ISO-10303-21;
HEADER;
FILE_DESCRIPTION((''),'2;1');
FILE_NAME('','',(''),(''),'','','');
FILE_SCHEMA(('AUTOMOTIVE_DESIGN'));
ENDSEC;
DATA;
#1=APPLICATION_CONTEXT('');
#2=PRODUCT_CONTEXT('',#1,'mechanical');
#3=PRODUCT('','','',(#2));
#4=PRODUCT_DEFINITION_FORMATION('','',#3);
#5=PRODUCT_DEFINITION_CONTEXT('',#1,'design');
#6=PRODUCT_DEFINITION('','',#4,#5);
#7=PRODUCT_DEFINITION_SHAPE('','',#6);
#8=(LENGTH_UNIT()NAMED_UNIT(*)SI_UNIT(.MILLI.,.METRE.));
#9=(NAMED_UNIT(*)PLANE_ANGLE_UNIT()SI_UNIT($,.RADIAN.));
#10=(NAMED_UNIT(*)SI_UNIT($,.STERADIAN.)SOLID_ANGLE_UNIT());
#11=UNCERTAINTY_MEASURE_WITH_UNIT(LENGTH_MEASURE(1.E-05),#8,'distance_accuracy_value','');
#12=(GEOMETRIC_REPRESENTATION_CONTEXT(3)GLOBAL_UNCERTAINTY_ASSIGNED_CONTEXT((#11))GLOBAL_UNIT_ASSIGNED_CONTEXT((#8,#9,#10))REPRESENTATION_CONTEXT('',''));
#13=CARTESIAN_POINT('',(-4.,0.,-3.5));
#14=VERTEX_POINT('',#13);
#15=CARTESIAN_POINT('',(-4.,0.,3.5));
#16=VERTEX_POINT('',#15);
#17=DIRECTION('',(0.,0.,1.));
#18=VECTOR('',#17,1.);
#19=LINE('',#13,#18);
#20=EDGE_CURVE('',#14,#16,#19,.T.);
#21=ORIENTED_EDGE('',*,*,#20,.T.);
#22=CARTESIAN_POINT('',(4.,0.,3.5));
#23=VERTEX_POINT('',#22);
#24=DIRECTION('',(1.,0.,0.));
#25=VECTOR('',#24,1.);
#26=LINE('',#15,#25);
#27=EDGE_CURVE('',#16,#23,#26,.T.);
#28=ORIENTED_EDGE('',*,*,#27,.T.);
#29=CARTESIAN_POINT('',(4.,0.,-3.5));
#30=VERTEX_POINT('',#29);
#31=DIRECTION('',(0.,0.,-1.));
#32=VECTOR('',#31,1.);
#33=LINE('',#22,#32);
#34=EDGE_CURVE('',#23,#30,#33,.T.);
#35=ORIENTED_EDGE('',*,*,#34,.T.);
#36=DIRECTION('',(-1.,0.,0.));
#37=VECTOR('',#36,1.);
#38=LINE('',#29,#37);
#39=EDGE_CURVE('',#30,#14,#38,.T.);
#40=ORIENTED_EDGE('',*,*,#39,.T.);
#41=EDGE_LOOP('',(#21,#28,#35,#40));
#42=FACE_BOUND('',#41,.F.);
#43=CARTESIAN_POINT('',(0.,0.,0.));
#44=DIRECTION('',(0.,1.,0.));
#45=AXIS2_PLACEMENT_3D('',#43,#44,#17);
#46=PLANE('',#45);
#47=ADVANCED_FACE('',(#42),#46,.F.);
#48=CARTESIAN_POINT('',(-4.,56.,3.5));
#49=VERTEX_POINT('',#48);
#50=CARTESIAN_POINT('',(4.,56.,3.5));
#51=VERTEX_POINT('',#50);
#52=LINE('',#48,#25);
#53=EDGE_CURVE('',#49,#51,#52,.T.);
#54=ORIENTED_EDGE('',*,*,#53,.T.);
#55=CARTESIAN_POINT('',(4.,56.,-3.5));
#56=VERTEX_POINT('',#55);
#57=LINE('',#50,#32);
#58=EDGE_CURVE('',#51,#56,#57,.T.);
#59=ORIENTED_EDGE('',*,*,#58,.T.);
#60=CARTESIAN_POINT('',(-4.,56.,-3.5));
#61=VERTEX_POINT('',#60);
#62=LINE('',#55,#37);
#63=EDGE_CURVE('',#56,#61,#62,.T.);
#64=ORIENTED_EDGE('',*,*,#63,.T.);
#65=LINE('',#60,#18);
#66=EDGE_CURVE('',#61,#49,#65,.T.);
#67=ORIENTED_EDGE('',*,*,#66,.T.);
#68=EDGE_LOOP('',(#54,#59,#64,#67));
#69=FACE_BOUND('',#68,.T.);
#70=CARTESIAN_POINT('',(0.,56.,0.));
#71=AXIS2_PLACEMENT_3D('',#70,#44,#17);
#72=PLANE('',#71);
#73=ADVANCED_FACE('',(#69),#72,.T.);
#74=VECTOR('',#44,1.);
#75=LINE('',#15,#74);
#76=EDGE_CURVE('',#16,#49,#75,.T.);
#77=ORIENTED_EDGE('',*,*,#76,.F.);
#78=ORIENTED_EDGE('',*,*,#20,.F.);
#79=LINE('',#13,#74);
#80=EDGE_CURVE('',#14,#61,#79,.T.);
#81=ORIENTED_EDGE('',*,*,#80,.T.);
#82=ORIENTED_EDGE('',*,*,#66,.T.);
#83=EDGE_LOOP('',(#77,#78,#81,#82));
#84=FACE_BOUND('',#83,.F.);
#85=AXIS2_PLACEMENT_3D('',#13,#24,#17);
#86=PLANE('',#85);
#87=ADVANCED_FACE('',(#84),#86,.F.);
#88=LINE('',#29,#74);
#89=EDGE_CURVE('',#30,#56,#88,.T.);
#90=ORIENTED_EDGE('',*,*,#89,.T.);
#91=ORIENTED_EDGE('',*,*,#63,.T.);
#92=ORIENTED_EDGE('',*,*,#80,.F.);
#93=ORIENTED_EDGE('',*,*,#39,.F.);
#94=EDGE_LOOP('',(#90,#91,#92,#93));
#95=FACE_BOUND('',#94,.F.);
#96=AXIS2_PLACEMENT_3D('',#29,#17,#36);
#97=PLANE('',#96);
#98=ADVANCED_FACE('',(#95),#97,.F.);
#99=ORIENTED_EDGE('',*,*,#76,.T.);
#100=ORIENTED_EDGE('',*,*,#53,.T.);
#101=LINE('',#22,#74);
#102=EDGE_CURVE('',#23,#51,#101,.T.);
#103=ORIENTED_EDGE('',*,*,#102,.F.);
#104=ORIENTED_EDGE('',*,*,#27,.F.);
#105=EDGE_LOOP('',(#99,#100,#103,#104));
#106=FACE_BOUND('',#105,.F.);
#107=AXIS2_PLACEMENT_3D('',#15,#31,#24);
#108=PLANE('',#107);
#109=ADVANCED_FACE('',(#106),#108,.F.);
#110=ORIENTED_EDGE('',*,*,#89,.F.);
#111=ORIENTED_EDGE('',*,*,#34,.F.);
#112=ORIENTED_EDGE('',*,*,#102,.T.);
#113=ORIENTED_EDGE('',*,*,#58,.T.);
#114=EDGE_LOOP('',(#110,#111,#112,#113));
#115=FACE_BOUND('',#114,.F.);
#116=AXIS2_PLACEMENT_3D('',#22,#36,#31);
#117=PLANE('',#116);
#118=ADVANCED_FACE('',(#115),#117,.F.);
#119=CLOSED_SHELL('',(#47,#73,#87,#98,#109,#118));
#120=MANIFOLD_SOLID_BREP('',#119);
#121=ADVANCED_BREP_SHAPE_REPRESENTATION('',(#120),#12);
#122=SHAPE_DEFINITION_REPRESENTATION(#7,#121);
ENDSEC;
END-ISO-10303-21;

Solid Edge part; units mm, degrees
sketch "Sketch1" plane through (0, 0, 0) normal (0, -1, 0) x (1, 0, 0)
  line L0 (-4, 3.5) -> (4, 3.5)
  line L1 (4, 3.5) -> (4, -3.5)
  line L2 (4, -3.5) -> (-4, -3.5)
  line L3 (-4, -3.5) -> (-4, 3.5)
  dimension "D1" = 8
  dimension "D2" = 7
extrude "Protrusion1" add sketch "Sketch1" against normal blind 56
properties part number "4" material "Fe - 410 W"
